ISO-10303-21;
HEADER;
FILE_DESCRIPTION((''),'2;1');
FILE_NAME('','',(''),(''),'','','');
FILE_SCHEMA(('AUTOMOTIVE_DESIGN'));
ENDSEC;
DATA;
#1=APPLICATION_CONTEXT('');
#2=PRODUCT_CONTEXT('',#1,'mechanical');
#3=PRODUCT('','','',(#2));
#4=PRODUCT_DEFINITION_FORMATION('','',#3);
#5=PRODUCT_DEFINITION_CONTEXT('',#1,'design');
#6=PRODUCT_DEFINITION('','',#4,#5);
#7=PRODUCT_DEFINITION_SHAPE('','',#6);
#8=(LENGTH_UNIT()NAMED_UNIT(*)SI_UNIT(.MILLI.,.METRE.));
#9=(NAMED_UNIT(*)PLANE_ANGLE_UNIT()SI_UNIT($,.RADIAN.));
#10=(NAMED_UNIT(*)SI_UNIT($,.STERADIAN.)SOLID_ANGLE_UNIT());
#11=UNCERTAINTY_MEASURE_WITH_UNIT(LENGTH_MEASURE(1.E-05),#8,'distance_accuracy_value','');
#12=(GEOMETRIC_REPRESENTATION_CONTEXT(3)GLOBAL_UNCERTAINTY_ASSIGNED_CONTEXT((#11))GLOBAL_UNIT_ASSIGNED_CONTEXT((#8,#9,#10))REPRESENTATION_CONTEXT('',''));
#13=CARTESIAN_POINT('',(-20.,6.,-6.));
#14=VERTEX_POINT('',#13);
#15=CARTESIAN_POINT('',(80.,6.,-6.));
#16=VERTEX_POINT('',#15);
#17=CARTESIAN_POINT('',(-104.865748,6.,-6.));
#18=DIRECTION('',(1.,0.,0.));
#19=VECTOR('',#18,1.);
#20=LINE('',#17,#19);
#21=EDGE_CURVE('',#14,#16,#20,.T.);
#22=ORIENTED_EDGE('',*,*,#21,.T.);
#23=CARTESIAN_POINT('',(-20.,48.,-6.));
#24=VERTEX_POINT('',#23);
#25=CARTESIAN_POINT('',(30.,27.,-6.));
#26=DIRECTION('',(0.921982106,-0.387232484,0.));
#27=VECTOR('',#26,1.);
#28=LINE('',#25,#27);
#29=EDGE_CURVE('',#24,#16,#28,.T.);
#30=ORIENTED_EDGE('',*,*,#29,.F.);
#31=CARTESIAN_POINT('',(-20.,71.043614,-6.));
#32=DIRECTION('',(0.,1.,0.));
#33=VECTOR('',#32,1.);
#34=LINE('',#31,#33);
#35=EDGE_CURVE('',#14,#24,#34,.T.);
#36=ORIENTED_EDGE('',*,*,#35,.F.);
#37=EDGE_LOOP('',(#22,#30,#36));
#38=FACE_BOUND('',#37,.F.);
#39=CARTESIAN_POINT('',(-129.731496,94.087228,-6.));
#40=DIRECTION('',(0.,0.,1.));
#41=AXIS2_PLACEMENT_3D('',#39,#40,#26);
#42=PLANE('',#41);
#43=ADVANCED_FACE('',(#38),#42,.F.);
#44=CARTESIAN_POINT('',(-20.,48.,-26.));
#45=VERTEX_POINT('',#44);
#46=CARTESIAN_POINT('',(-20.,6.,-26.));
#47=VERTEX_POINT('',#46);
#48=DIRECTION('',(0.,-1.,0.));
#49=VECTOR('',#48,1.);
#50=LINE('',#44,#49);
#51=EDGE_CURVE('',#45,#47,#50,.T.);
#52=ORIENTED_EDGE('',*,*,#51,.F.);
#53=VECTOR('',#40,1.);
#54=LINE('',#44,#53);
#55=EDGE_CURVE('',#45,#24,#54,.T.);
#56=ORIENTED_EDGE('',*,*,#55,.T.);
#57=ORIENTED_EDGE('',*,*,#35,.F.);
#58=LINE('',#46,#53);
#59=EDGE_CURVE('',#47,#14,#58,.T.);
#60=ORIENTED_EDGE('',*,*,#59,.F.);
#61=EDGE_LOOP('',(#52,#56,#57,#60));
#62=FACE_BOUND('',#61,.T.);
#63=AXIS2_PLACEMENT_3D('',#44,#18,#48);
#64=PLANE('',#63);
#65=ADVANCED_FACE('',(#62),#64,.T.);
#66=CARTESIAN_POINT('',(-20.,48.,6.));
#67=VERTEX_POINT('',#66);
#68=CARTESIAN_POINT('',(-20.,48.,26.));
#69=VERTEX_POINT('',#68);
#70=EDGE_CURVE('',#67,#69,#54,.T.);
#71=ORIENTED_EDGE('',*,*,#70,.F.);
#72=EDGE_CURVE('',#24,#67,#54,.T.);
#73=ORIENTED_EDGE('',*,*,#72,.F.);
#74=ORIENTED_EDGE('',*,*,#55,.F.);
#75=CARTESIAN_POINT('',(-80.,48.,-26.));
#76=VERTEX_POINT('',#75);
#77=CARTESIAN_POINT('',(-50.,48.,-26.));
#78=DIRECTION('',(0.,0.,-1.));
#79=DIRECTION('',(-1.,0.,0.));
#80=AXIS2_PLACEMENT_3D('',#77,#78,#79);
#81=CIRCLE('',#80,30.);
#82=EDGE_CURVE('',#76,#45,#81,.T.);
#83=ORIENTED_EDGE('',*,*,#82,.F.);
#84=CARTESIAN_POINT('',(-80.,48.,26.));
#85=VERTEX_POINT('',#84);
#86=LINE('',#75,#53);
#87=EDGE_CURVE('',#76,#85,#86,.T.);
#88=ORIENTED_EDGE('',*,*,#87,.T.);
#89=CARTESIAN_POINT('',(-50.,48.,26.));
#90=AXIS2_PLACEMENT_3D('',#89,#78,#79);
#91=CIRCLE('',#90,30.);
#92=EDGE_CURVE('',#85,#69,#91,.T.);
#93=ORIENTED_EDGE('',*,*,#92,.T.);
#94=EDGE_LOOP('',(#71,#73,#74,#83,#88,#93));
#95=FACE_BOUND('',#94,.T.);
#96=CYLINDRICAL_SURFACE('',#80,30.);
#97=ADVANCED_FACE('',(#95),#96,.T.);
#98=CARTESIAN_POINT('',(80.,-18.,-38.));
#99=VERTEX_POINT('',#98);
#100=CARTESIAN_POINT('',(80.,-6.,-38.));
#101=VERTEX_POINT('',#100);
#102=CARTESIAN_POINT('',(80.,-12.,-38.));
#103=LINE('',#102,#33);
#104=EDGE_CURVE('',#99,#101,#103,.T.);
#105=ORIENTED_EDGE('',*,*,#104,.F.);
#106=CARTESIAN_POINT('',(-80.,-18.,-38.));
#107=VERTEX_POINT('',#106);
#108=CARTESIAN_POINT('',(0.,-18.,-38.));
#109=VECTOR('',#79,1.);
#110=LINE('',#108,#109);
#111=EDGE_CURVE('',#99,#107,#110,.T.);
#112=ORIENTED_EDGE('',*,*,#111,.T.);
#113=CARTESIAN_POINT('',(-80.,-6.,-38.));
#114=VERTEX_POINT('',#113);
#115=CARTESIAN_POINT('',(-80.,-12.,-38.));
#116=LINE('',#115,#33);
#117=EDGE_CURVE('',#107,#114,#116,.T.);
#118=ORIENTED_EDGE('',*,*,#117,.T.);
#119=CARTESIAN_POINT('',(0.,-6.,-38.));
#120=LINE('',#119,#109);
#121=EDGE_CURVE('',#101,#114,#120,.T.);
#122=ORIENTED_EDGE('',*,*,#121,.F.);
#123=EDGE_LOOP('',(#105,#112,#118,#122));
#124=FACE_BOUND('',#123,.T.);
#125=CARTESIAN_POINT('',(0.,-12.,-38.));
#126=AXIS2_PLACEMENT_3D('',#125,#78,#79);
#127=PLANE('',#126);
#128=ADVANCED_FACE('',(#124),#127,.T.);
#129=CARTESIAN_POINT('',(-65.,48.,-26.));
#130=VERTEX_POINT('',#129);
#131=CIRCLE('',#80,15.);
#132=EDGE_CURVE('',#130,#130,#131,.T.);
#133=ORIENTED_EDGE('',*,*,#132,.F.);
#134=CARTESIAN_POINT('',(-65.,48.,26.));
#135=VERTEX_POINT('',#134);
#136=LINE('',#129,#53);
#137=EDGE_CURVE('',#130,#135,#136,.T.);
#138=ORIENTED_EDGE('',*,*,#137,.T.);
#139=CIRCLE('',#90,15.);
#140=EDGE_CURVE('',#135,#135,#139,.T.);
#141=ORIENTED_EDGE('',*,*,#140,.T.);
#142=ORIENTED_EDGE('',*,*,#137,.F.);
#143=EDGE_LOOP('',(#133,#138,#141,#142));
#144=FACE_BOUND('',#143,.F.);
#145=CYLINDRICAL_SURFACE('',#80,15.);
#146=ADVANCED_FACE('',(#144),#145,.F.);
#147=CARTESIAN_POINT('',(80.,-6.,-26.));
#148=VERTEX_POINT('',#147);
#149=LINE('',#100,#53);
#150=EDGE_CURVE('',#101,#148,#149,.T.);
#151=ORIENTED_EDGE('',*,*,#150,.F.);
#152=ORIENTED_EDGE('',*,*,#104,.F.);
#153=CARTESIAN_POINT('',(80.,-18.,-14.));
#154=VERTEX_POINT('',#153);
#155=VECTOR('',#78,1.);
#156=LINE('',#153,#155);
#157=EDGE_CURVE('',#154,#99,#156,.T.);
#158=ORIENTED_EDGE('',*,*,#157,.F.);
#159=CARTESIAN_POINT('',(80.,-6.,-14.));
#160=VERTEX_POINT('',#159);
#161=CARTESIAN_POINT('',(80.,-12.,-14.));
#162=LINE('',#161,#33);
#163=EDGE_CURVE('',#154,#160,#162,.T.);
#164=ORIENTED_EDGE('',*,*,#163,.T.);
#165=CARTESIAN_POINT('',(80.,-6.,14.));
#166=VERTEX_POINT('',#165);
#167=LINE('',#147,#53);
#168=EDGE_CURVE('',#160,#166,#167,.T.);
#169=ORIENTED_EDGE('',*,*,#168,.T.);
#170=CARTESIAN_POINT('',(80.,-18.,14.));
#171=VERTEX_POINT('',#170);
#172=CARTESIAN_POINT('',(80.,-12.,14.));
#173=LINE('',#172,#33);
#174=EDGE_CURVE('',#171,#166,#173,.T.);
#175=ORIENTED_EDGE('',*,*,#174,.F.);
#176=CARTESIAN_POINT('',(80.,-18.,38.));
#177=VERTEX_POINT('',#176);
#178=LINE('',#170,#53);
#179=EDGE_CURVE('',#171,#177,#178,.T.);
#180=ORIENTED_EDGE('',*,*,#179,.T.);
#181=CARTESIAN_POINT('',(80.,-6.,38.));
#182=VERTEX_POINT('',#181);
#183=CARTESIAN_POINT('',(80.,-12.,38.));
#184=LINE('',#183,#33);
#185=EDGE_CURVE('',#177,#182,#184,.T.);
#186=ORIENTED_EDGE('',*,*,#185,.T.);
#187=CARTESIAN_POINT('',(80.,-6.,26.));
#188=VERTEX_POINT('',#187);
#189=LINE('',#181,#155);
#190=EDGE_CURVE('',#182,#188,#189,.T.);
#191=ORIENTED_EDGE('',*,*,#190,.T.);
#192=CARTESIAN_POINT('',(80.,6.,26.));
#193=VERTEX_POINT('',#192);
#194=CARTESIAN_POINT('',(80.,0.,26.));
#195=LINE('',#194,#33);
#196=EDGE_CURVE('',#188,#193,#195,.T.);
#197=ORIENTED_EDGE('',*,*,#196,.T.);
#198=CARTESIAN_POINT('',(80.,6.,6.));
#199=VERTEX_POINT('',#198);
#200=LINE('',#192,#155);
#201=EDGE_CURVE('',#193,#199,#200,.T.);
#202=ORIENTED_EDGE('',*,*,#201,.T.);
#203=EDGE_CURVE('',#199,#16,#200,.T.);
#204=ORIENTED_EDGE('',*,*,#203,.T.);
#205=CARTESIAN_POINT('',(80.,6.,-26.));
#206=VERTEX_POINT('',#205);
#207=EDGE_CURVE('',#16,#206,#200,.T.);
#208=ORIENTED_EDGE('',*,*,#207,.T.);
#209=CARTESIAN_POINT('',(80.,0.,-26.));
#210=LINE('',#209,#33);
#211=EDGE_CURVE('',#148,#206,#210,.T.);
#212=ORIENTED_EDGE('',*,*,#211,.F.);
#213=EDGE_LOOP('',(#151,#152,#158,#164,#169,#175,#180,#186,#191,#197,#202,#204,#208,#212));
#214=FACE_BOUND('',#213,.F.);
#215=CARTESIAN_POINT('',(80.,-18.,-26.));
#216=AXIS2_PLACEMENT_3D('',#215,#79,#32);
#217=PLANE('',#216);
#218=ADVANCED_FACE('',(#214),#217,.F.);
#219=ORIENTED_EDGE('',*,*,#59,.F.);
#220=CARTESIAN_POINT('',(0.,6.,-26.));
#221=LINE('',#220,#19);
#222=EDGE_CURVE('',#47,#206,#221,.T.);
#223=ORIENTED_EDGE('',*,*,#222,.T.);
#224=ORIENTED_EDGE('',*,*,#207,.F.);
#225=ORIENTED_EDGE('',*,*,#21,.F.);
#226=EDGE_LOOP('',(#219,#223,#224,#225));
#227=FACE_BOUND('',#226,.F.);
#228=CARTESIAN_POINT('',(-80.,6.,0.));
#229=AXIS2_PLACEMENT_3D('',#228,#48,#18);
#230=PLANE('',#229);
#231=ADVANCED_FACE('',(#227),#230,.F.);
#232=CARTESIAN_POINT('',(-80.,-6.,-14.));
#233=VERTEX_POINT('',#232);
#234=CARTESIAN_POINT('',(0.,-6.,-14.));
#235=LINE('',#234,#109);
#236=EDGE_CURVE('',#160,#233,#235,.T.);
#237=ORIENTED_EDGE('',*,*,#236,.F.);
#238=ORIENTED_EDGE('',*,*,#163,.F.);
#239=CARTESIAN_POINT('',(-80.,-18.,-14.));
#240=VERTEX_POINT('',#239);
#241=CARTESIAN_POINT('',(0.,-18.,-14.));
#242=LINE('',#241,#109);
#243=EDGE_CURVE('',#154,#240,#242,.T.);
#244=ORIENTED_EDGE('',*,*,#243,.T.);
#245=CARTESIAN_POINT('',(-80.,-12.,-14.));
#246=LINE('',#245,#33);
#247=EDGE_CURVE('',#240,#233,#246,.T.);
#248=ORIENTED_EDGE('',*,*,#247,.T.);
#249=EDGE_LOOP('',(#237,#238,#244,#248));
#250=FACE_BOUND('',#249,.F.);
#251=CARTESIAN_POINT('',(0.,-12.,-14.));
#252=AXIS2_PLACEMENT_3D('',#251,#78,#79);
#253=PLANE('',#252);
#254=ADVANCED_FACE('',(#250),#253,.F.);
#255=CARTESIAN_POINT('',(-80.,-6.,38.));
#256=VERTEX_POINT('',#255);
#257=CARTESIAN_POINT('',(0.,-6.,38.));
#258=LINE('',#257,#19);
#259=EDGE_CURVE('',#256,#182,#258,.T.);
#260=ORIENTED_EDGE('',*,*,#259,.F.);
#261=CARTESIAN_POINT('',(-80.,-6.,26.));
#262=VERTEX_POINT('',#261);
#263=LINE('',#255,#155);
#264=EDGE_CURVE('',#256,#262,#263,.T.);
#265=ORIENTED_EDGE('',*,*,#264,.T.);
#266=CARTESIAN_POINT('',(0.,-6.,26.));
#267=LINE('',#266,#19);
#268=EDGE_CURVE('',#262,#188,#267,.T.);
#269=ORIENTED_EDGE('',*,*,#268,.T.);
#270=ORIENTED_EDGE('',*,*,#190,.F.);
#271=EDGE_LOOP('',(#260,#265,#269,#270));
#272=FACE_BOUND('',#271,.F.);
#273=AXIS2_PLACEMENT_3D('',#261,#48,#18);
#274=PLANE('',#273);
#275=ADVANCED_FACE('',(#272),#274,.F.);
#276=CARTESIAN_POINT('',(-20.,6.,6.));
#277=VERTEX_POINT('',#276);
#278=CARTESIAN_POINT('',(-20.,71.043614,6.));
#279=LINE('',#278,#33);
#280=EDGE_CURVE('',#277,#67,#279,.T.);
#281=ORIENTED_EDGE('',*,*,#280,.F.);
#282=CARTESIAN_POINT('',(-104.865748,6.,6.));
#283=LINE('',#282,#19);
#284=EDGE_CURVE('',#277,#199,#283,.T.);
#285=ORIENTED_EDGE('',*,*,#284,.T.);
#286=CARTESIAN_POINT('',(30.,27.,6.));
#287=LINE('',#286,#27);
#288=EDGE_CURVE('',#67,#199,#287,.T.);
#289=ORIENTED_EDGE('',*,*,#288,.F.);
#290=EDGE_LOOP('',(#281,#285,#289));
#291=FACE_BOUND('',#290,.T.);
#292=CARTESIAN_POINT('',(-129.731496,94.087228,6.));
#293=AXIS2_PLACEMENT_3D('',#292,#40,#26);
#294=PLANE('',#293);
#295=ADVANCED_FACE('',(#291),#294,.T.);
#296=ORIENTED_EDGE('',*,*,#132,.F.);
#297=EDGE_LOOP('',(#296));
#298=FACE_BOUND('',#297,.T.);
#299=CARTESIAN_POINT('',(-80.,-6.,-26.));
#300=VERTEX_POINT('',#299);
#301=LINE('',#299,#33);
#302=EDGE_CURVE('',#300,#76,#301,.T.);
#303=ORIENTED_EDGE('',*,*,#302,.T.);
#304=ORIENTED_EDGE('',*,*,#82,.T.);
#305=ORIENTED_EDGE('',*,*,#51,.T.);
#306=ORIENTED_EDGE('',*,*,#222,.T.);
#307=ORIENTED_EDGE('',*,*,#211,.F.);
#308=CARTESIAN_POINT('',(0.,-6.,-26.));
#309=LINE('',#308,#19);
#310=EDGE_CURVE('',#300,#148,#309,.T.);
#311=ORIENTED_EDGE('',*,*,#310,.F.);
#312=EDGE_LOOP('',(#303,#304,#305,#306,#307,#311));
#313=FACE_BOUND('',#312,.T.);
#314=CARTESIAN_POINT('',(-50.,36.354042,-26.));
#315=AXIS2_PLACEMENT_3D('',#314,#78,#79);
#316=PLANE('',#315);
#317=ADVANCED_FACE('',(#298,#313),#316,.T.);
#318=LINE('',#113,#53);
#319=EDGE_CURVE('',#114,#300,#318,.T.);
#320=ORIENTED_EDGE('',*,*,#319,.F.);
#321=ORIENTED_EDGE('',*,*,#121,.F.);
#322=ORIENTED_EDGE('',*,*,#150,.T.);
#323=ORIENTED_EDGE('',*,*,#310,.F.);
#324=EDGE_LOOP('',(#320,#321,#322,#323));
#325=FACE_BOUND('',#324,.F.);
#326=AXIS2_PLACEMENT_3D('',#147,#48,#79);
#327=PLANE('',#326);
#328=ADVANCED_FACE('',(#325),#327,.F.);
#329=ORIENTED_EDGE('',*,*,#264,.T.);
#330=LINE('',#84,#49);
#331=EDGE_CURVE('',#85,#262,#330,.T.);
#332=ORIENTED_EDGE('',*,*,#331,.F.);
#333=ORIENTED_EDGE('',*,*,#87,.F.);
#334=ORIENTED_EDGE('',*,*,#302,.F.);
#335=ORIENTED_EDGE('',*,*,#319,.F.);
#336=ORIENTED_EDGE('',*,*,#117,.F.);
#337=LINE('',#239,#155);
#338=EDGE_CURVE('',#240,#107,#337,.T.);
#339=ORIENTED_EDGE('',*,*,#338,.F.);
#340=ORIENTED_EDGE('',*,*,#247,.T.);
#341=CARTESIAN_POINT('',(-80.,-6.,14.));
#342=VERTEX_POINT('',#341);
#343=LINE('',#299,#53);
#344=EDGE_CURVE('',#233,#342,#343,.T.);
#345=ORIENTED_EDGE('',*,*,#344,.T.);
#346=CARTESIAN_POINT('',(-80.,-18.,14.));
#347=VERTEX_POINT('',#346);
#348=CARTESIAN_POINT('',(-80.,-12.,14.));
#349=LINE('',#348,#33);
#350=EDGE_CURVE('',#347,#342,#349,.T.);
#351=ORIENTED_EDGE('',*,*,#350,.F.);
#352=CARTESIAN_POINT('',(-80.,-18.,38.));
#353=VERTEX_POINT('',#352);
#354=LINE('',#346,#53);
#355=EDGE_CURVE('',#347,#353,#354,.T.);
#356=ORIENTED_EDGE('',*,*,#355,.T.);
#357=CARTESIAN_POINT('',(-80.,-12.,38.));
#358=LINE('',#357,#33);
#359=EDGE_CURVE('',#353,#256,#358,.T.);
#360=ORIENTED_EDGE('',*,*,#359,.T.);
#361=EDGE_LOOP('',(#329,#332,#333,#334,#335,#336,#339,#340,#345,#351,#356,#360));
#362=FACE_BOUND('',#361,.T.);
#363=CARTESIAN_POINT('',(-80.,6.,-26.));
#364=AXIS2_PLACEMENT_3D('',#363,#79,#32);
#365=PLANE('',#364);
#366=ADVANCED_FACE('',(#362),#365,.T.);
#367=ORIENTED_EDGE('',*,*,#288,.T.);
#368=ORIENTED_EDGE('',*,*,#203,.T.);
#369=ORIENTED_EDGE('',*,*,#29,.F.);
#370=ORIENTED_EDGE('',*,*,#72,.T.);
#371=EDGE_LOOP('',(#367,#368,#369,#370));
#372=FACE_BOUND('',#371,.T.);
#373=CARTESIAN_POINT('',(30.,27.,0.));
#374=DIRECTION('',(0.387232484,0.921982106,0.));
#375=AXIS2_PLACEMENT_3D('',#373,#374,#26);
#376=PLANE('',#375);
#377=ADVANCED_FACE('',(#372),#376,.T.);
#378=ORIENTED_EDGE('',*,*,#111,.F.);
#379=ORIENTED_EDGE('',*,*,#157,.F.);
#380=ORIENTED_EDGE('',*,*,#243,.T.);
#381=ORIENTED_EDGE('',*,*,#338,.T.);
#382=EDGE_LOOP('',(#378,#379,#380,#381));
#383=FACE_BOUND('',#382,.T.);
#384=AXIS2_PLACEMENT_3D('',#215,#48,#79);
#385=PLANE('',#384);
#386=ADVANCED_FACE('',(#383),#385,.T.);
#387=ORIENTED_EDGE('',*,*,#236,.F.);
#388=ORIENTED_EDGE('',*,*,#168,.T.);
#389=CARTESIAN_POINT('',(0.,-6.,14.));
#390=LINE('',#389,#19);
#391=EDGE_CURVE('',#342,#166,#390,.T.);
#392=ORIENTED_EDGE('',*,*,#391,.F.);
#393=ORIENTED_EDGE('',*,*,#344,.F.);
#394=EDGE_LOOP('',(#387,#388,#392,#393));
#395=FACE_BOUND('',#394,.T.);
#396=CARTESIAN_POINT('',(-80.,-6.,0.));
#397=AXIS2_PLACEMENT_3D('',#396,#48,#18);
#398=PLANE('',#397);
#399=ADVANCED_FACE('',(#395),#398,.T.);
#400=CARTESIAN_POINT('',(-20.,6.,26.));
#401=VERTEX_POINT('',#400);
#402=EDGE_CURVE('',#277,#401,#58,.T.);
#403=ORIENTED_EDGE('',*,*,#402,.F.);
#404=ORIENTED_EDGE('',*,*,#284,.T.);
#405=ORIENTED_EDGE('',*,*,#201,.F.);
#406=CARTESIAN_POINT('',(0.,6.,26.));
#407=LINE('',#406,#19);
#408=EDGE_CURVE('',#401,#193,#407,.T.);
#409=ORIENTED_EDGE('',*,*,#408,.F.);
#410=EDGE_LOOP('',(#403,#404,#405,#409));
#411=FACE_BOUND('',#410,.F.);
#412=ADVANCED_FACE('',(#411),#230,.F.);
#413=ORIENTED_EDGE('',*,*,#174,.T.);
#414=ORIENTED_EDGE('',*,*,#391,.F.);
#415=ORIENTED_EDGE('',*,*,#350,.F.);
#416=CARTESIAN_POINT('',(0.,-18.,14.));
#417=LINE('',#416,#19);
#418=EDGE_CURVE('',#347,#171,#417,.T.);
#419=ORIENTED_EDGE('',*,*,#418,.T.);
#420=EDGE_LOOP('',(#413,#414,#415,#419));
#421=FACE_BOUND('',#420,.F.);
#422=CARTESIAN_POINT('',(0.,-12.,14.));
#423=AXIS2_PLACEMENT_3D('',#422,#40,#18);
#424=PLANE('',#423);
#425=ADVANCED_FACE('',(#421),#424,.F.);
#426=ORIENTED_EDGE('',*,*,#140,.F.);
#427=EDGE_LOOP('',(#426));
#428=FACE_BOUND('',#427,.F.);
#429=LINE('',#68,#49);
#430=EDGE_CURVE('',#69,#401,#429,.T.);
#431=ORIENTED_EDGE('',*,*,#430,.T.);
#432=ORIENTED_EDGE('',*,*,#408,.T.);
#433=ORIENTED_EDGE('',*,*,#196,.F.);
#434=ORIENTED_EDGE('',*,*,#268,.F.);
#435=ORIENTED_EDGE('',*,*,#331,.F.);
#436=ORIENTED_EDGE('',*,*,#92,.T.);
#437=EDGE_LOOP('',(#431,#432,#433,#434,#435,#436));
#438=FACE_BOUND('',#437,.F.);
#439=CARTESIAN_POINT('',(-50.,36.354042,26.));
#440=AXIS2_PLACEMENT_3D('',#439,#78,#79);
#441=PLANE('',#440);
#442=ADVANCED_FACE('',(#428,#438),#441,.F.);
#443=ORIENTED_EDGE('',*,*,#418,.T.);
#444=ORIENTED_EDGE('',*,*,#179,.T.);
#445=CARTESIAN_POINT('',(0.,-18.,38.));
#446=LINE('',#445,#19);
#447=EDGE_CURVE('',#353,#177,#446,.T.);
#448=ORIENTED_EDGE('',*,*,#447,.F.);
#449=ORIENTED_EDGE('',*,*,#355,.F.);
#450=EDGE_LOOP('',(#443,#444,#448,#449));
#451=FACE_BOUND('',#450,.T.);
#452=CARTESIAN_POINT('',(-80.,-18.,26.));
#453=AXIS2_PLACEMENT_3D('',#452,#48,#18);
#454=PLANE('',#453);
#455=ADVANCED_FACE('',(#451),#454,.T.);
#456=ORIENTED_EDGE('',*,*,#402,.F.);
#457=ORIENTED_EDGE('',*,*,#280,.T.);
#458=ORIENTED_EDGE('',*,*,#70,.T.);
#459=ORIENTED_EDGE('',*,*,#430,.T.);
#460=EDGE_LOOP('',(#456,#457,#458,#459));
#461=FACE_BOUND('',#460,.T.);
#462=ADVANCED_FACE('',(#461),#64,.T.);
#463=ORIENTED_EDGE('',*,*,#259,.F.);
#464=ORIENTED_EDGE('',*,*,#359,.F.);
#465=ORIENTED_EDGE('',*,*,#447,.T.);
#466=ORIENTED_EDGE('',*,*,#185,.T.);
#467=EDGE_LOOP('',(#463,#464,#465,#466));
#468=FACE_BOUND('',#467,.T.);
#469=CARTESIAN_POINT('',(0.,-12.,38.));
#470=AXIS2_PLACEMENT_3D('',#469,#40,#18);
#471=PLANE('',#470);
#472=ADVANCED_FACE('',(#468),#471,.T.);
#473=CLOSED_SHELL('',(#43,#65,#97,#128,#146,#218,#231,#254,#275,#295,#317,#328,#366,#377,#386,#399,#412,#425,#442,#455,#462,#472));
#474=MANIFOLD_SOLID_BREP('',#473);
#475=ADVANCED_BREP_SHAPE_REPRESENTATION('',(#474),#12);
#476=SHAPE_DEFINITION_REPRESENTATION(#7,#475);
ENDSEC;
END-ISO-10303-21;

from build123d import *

# Parameters (mm, degrees)
SKETCH3_W           = 160
SKETCH3_H           = 12
BOSS_EXTRUDE2_DEPTH = 26
SKETCH4_W           = 160
SKETCH4_H           = 12
BOSS_EXTRUDE3_DEPTH = 12
SKETCH5_W           = 160
SKETCH5_H           = 12
BOSS_EXTRUDE4_DEPTH = 12
SKETCH8_R           = 15
BOSS_EXTRUDE5_DEPTH = 52
RIB1_REACH          = 120.017
SKETCH14_WALL_W     = 346.495870774
SKETCH14_WALL_H     = 12


with BuildPart() as part:
    # Sketch3 → Boss-Extrude2 (new, symmetric)
    with BuildSketch(Plane.XY):
        Rectangle(SKETCH3_W, SKETCH3_H)
    extrude(amount=BOSS_EXTRUDE2_DEPTH, both=True)

    # Sketch4 → Boss-Extrude3 (add, symmetric)
    with BuildSketch(Plane.XY.offset(26)):
        with Locations((0, -12)):
            Rectangle(SKETCH4_W, SKETCH4_H)
    extrude(amount=BOSS_EXTRUDE3_DEPTH, both=True)

    # Sketch5 → Boss-Extrude4 (add, symmetric)
    with BuildSketch(Plane(origin=(0, 0, -26), x_dir=(-1, 0, 0), z_dir=(0, 0, -1))):
        with Locations((0, -12)):
            Rectangle(SKETCH5_W, SKETCH5_H)
    extrude(amount=BOSS_EXTRUDE4_DEPTH, both=True)

    # Sketch8 → Boss-Extrude5 (add)
    with BuildSketch(Plane(origin=(0, 0, -26), x_dir=(-1, 0, 0), z_dir=(0, 0, -1))):
        with BuildLine():
            Line((20, 6), (80, 6))
            Line((80, 6), (80, 48))
            ThreePointArc((80, 48), (50, 78), (20, 48))
            Line((20, 48), (20, 6))
        make_face()
        with Locations((50, 48)):
            Circle(SKETCH8_R, mode=Mode.SUBTRACT)
    extrude(amount=-BOSS_EXTRUDE5_DEPTH)

    # Sketch14 wall → Rib1 (add, up to next)
    with BuildSketch(Plane(origin=(30, 27, 0), x_dir=(0.921982105607, -0.387232484355, 0), z_dir=(0.387232484355, 0.921982105607, 0)), mode=Mode.PRIVATE) as rib1_sk1:
        Rectangle(SKETCH14_WALL_W, SKETCH14_WALL_H)
    rib1_tool1 = extrude(rib1_sk1.sketch, amount=-RIB1_REACH, mode=Mode.PRIVATE) - part.part
    add(rib1_tool1.solids().sort_by_distance((30, 27, 0))[0])


solid = part.part
